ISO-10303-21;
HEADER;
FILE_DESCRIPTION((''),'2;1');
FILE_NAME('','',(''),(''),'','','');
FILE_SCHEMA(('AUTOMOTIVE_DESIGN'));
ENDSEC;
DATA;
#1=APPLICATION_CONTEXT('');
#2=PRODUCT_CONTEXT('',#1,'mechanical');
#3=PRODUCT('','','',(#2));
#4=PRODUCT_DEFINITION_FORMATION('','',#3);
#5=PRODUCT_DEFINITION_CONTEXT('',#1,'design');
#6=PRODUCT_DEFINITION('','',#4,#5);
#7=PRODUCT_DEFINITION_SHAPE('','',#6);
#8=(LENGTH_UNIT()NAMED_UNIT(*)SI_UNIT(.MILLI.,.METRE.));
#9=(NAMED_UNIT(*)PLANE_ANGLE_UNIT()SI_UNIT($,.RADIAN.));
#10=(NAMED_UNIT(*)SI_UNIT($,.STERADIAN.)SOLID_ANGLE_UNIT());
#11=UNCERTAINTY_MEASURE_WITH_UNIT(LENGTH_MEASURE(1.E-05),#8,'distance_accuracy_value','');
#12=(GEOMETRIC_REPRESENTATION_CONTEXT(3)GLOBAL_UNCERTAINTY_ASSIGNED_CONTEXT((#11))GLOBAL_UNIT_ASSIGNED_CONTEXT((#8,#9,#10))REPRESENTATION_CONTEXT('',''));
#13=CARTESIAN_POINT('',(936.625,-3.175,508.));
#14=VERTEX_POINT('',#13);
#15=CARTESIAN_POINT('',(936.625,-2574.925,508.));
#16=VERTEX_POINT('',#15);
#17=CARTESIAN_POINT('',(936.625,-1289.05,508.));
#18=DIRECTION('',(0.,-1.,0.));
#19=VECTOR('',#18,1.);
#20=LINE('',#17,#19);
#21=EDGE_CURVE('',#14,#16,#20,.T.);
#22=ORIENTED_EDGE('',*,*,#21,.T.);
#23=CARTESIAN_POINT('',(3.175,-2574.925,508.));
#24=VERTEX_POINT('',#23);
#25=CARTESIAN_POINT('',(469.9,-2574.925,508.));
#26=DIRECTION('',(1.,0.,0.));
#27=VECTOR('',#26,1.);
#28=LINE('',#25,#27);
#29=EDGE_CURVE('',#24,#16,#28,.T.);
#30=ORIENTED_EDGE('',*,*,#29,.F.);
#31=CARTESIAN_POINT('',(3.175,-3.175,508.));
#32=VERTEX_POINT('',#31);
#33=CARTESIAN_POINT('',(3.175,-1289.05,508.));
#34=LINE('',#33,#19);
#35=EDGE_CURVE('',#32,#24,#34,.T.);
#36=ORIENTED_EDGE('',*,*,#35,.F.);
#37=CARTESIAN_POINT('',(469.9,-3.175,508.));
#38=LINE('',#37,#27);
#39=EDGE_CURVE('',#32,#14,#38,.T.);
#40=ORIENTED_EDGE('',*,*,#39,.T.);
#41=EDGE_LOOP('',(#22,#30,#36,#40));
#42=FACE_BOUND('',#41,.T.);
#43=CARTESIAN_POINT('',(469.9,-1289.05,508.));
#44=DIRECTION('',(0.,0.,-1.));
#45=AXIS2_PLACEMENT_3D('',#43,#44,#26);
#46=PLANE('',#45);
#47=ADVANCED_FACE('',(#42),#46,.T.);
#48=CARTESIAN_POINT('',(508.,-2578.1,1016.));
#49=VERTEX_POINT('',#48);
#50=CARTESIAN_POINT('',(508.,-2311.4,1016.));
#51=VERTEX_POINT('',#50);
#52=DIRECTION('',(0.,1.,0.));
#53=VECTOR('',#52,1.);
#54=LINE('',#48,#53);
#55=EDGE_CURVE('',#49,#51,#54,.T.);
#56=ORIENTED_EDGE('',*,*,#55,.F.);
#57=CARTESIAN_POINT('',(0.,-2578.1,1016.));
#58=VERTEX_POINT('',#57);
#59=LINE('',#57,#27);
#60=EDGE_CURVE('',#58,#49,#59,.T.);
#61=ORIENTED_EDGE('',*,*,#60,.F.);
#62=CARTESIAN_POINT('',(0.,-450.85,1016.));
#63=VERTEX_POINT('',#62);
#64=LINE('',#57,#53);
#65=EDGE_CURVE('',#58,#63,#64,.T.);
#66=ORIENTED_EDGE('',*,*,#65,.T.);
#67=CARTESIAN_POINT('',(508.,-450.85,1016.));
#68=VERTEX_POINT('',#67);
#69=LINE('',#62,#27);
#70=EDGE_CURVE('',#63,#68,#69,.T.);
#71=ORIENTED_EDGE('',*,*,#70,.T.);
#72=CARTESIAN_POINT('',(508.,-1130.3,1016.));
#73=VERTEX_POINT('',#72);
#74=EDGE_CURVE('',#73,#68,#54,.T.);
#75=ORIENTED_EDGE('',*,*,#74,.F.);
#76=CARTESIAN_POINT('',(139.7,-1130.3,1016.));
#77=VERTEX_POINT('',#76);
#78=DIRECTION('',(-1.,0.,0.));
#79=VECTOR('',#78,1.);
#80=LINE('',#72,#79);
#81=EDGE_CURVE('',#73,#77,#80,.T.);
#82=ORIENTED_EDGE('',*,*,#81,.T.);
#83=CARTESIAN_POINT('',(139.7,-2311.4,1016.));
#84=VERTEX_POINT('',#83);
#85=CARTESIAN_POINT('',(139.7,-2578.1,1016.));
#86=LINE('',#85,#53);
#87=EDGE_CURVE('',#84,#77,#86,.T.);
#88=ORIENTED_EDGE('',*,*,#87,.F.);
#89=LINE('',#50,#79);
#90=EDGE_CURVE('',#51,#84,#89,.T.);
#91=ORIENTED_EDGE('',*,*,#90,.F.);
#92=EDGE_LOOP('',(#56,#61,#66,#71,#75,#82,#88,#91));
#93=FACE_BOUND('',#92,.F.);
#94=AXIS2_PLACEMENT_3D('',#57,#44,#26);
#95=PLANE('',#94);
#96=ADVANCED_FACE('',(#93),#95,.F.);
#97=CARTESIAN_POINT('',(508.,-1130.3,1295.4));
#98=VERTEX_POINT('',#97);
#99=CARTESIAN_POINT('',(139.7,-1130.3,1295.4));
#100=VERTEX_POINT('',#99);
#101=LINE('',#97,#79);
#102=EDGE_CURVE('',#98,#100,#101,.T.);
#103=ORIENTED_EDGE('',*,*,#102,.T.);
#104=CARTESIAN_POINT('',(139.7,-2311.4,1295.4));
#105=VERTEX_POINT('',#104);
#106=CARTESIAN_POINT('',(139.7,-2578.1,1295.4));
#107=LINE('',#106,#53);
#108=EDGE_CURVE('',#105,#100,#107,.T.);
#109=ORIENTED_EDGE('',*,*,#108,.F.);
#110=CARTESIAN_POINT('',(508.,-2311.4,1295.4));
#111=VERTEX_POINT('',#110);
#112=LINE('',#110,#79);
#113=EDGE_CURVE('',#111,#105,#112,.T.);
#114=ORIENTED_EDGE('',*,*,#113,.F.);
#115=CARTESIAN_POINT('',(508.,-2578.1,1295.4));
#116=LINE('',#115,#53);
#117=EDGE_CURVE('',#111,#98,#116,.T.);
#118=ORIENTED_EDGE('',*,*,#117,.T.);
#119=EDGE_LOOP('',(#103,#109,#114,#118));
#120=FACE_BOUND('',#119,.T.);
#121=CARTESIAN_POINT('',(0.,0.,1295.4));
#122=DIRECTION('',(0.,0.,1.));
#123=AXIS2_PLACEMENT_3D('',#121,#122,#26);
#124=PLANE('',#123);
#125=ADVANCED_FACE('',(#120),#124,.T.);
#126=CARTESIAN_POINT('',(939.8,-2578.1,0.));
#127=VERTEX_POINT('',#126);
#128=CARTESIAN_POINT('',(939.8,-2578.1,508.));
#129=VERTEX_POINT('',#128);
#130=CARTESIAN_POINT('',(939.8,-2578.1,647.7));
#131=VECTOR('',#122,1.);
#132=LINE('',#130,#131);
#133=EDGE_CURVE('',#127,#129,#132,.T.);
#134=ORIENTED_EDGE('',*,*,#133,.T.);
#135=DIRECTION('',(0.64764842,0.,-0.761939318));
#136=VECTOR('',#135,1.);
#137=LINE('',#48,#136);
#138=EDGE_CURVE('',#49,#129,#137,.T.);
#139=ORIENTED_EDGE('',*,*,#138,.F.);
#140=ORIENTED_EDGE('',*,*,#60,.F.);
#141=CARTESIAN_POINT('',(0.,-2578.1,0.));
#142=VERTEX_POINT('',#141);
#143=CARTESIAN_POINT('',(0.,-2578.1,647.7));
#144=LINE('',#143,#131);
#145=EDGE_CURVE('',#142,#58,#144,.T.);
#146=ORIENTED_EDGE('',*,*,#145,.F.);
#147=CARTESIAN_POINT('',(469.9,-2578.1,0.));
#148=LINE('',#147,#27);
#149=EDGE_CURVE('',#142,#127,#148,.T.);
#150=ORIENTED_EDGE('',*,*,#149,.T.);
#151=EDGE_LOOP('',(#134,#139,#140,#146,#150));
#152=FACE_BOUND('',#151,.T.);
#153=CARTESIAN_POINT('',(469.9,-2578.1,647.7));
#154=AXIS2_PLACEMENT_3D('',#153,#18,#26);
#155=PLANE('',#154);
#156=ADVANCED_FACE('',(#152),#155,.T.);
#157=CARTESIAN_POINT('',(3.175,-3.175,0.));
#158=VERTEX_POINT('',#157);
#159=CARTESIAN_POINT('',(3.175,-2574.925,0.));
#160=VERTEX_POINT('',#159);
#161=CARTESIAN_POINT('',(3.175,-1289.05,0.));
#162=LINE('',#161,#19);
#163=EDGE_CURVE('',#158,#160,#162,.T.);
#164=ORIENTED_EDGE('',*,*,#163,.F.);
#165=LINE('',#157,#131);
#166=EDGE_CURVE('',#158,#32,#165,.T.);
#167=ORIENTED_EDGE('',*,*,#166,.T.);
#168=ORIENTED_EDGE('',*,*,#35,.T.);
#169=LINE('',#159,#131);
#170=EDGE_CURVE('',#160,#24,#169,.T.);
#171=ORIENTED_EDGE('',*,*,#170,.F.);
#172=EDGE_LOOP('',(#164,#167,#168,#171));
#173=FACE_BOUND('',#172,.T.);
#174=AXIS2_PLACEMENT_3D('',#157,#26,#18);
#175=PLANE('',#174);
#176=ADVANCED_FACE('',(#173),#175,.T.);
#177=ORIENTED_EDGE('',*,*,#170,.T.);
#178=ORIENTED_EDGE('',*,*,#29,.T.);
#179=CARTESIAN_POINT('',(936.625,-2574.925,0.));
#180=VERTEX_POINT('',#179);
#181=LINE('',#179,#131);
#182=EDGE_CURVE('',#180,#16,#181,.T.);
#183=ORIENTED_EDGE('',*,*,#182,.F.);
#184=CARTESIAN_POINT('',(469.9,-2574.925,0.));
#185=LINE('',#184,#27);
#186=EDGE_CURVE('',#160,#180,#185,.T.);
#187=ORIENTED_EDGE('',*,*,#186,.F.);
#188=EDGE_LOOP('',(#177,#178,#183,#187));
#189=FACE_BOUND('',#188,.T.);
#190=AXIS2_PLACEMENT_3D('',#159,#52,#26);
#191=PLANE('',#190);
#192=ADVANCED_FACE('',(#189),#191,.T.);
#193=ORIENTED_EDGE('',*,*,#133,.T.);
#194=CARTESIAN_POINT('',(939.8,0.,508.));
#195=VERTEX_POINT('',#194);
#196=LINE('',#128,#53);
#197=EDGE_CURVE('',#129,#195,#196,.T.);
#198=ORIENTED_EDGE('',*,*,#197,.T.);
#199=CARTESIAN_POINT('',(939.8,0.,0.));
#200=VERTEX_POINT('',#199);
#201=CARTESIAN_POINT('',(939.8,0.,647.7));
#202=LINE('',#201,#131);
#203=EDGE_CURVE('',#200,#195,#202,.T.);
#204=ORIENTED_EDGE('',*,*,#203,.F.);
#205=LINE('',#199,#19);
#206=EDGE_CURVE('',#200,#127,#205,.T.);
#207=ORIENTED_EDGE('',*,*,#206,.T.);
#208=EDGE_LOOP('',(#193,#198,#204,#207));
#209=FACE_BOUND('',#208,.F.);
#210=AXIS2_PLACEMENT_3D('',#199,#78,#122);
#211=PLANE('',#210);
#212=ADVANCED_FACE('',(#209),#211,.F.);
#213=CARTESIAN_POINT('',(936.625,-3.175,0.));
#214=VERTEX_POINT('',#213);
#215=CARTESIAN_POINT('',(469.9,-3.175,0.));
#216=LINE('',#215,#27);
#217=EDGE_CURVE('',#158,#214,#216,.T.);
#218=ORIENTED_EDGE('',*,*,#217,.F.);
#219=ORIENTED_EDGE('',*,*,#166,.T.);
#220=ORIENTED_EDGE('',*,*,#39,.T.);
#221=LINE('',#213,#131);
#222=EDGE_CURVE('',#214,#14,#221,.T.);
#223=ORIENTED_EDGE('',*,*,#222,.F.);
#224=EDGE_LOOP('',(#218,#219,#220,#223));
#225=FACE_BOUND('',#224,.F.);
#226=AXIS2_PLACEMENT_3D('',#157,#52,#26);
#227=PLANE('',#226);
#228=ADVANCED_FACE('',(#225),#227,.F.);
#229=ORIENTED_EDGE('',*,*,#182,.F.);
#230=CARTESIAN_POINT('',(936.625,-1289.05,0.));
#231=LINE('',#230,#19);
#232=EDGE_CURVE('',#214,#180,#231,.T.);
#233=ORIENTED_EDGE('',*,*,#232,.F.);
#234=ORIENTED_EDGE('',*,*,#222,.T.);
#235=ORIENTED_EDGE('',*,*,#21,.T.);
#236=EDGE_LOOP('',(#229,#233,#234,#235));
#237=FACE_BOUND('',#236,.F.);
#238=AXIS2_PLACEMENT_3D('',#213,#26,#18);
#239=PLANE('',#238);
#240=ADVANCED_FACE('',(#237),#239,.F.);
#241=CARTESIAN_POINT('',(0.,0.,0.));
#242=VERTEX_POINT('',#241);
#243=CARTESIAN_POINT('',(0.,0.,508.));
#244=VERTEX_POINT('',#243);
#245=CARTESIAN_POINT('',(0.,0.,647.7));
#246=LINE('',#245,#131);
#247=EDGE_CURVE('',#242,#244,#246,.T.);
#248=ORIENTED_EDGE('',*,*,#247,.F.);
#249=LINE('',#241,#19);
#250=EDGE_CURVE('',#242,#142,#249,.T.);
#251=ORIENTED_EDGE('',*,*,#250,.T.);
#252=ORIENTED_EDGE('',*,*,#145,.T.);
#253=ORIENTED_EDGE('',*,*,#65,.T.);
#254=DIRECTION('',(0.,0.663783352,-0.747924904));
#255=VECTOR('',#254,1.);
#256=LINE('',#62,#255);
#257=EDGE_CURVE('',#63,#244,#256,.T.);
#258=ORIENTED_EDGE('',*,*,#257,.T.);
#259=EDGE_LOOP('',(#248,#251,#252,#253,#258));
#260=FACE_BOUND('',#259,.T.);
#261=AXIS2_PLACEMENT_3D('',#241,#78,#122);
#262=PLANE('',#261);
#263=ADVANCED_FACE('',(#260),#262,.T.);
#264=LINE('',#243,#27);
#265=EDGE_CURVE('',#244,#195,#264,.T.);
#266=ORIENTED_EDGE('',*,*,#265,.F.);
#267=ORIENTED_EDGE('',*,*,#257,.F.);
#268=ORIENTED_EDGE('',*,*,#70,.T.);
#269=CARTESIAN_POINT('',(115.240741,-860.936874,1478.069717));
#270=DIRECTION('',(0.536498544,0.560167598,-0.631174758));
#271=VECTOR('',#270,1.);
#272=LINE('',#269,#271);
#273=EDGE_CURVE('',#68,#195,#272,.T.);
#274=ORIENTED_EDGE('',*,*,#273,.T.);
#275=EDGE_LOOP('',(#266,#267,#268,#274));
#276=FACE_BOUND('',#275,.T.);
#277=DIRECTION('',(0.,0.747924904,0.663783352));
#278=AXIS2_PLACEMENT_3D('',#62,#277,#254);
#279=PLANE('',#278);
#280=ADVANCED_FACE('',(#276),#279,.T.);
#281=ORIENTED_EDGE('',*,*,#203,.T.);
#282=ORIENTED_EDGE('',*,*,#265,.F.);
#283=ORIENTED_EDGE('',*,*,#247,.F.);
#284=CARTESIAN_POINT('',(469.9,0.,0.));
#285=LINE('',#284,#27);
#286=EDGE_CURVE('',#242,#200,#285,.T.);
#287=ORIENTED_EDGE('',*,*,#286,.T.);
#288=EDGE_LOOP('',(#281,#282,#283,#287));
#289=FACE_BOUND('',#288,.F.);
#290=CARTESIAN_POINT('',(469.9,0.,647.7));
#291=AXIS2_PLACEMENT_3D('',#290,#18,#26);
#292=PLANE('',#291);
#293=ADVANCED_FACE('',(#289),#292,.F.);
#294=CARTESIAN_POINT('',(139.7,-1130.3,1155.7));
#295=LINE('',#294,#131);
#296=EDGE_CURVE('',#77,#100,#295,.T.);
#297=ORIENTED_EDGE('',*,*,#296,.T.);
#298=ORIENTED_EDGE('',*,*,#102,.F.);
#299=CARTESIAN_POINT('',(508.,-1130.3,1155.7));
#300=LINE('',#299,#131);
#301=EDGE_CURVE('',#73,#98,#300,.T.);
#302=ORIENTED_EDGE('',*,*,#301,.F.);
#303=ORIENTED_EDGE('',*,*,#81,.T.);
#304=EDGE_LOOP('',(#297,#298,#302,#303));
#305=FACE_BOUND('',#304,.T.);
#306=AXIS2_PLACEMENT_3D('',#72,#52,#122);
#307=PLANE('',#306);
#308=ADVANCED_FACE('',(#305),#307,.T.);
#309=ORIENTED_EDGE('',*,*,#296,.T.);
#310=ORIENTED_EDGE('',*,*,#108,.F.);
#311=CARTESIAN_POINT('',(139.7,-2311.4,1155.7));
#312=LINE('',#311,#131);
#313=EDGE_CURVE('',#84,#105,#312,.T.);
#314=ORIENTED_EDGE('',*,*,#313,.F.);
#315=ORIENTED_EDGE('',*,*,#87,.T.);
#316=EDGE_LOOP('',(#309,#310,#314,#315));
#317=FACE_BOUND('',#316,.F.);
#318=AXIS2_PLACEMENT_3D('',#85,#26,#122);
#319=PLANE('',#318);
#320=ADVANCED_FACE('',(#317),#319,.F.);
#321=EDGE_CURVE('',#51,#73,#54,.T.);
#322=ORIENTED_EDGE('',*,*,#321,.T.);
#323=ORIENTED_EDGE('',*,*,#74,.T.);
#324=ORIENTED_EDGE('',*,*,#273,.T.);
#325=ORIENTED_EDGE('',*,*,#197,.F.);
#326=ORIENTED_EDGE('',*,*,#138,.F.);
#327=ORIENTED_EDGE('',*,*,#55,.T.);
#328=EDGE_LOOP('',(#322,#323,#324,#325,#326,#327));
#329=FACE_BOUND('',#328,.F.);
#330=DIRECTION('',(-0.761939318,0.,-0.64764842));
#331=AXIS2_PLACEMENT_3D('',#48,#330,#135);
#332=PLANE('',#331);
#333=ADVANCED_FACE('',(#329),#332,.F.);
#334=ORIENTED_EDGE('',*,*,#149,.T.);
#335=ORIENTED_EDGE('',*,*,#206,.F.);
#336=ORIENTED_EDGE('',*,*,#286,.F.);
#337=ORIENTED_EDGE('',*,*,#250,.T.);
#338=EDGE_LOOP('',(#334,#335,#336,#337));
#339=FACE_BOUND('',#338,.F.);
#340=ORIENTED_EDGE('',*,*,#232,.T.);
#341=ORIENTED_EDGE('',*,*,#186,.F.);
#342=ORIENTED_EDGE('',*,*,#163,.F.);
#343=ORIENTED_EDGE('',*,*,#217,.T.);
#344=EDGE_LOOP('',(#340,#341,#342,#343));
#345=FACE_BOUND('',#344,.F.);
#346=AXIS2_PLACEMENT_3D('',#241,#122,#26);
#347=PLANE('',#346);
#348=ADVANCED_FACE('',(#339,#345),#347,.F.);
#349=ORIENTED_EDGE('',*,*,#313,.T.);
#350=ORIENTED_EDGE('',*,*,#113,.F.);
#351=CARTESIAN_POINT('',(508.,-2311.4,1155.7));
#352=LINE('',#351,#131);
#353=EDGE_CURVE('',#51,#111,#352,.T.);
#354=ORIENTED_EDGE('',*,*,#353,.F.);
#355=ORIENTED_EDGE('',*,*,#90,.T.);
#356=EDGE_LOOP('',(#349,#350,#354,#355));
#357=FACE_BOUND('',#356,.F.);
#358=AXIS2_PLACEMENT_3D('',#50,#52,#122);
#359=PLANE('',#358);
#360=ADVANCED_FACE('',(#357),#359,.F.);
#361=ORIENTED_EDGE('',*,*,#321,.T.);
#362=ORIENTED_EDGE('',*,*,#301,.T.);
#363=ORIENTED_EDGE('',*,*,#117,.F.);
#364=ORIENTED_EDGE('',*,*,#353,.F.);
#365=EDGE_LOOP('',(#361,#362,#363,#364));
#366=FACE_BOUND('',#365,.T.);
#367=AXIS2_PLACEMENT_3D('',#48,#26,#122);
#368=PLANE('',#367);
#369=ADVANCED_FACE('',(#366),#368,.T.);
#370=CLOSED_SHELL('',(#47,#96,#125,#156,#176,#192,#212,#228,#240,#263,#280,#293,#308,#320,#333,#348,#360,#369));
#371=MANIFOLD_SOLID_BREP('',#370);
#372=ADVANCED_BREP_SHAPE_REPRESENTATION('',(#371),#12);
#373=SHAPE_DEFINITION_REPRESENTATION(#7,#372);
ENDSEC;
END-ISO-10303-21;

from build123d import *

# Parameters (mm, degrees)
F0_W      = 939.8
F0_H      = 1295.4
F1_DEPTH  = 2578.1
F2_W      = 139.7
F2_H      = 279.4
F3_DEPTH  = 2578.1
F4_W      = 431.8
F4_H      = 279.4
F5_DEPTH  = 2578.1
F7_DEPTH  = 2578.1
F9_DEPTH  = 939.801
F10_W     = 1130.3
F10_H     = 279.4
F11_DEPTH = 368.3
F12_W     = 266.7
F12_H     = 279.4
F13_DEPTH = 368.3
F14_W     = 933.45
F14_H     = 2571.75
F15_DEPTH = 508


with BuildPart() as f1:
    # F0 (on Front) → F1 (new body)
    with BuildSketch(Plane.XZ):
        with Locations((469.9, 647.7)):
            Rectangle(F0_W, F0_H)
    extrude(amount=F1_DEPTH)

    # F2 (on face) → F3 (cut, through all)
    with BuildSketch(Plane.XZ.offset(2578.1)):
        with Locations((69.85, 1155.7)):
            Rectangle(F2_W, F2_H)
    extrude(amount=-F3_DEPTH, mode=Mode.SUBTRACT)

    # F4 (on face) → F5 (cut, through all)
    with BuildSketch(Plane.XZ.offset(2578.1)):
        with Locations((723.9, 1155.7)):
            Rectangle(F4_W, F4_H)
    extrude(amount=-F5_DEPTH, mode=Mode.SUBTRACT)

    # F6 (on face) → F7 (cut, through all)
    with BuildSketch(Plane.XZ.offset(2578.1)):
        Polygon((939.8, 1016), (508, 1016), (939.8, 508), align=None)
    extrude(amount=-F7_DEPTH, mode=Mode.SUBTRACT)

    # F8 (on Right) → F9 (cut, through all)
    with BuildSketch(Plane.YZ):
        Polygon((-450.85, 1016), (0, 508), (0, 1016), align=None)
    extrude(amount=F9_DEPTH, mode=Mode.SUBTRACT)

    # F10 (on face) → F11 (cut, through all)
    with BuildSketch(Plane.YZ.offset(508)):
        with Locations((-565.1499999999, 1155.7)):
            Rectangle(F10_W, F10_H)
    extrude(amount=-F11_DEPTH, mode=Mode.SUBTRACT)

    # F12 (on face) → F13 (cut, through all)
    with BuildSketch(Plane.YZ.offset(508)):
        with Locations((-2444.75, 1155.7)):
            Rectangle(F12_W, F12_H)
    extrude(amount=-F13_DEPTH, mode=Mode.SUBTRACT)

    # F14 (on face) → F15 (cut)
    with BuildSketch(Plane(origin=(0, 0, 0), x_dir=(1, 0, 0), z_dir=(0, 0, -1))):
        with Locations((469.9, 1289.05)):
            Rectangle(F14_W, F14_H)
    extrude(amount=-F15_DEPTH, mode=Mode.SUBTRACT)


solid = f1.part
